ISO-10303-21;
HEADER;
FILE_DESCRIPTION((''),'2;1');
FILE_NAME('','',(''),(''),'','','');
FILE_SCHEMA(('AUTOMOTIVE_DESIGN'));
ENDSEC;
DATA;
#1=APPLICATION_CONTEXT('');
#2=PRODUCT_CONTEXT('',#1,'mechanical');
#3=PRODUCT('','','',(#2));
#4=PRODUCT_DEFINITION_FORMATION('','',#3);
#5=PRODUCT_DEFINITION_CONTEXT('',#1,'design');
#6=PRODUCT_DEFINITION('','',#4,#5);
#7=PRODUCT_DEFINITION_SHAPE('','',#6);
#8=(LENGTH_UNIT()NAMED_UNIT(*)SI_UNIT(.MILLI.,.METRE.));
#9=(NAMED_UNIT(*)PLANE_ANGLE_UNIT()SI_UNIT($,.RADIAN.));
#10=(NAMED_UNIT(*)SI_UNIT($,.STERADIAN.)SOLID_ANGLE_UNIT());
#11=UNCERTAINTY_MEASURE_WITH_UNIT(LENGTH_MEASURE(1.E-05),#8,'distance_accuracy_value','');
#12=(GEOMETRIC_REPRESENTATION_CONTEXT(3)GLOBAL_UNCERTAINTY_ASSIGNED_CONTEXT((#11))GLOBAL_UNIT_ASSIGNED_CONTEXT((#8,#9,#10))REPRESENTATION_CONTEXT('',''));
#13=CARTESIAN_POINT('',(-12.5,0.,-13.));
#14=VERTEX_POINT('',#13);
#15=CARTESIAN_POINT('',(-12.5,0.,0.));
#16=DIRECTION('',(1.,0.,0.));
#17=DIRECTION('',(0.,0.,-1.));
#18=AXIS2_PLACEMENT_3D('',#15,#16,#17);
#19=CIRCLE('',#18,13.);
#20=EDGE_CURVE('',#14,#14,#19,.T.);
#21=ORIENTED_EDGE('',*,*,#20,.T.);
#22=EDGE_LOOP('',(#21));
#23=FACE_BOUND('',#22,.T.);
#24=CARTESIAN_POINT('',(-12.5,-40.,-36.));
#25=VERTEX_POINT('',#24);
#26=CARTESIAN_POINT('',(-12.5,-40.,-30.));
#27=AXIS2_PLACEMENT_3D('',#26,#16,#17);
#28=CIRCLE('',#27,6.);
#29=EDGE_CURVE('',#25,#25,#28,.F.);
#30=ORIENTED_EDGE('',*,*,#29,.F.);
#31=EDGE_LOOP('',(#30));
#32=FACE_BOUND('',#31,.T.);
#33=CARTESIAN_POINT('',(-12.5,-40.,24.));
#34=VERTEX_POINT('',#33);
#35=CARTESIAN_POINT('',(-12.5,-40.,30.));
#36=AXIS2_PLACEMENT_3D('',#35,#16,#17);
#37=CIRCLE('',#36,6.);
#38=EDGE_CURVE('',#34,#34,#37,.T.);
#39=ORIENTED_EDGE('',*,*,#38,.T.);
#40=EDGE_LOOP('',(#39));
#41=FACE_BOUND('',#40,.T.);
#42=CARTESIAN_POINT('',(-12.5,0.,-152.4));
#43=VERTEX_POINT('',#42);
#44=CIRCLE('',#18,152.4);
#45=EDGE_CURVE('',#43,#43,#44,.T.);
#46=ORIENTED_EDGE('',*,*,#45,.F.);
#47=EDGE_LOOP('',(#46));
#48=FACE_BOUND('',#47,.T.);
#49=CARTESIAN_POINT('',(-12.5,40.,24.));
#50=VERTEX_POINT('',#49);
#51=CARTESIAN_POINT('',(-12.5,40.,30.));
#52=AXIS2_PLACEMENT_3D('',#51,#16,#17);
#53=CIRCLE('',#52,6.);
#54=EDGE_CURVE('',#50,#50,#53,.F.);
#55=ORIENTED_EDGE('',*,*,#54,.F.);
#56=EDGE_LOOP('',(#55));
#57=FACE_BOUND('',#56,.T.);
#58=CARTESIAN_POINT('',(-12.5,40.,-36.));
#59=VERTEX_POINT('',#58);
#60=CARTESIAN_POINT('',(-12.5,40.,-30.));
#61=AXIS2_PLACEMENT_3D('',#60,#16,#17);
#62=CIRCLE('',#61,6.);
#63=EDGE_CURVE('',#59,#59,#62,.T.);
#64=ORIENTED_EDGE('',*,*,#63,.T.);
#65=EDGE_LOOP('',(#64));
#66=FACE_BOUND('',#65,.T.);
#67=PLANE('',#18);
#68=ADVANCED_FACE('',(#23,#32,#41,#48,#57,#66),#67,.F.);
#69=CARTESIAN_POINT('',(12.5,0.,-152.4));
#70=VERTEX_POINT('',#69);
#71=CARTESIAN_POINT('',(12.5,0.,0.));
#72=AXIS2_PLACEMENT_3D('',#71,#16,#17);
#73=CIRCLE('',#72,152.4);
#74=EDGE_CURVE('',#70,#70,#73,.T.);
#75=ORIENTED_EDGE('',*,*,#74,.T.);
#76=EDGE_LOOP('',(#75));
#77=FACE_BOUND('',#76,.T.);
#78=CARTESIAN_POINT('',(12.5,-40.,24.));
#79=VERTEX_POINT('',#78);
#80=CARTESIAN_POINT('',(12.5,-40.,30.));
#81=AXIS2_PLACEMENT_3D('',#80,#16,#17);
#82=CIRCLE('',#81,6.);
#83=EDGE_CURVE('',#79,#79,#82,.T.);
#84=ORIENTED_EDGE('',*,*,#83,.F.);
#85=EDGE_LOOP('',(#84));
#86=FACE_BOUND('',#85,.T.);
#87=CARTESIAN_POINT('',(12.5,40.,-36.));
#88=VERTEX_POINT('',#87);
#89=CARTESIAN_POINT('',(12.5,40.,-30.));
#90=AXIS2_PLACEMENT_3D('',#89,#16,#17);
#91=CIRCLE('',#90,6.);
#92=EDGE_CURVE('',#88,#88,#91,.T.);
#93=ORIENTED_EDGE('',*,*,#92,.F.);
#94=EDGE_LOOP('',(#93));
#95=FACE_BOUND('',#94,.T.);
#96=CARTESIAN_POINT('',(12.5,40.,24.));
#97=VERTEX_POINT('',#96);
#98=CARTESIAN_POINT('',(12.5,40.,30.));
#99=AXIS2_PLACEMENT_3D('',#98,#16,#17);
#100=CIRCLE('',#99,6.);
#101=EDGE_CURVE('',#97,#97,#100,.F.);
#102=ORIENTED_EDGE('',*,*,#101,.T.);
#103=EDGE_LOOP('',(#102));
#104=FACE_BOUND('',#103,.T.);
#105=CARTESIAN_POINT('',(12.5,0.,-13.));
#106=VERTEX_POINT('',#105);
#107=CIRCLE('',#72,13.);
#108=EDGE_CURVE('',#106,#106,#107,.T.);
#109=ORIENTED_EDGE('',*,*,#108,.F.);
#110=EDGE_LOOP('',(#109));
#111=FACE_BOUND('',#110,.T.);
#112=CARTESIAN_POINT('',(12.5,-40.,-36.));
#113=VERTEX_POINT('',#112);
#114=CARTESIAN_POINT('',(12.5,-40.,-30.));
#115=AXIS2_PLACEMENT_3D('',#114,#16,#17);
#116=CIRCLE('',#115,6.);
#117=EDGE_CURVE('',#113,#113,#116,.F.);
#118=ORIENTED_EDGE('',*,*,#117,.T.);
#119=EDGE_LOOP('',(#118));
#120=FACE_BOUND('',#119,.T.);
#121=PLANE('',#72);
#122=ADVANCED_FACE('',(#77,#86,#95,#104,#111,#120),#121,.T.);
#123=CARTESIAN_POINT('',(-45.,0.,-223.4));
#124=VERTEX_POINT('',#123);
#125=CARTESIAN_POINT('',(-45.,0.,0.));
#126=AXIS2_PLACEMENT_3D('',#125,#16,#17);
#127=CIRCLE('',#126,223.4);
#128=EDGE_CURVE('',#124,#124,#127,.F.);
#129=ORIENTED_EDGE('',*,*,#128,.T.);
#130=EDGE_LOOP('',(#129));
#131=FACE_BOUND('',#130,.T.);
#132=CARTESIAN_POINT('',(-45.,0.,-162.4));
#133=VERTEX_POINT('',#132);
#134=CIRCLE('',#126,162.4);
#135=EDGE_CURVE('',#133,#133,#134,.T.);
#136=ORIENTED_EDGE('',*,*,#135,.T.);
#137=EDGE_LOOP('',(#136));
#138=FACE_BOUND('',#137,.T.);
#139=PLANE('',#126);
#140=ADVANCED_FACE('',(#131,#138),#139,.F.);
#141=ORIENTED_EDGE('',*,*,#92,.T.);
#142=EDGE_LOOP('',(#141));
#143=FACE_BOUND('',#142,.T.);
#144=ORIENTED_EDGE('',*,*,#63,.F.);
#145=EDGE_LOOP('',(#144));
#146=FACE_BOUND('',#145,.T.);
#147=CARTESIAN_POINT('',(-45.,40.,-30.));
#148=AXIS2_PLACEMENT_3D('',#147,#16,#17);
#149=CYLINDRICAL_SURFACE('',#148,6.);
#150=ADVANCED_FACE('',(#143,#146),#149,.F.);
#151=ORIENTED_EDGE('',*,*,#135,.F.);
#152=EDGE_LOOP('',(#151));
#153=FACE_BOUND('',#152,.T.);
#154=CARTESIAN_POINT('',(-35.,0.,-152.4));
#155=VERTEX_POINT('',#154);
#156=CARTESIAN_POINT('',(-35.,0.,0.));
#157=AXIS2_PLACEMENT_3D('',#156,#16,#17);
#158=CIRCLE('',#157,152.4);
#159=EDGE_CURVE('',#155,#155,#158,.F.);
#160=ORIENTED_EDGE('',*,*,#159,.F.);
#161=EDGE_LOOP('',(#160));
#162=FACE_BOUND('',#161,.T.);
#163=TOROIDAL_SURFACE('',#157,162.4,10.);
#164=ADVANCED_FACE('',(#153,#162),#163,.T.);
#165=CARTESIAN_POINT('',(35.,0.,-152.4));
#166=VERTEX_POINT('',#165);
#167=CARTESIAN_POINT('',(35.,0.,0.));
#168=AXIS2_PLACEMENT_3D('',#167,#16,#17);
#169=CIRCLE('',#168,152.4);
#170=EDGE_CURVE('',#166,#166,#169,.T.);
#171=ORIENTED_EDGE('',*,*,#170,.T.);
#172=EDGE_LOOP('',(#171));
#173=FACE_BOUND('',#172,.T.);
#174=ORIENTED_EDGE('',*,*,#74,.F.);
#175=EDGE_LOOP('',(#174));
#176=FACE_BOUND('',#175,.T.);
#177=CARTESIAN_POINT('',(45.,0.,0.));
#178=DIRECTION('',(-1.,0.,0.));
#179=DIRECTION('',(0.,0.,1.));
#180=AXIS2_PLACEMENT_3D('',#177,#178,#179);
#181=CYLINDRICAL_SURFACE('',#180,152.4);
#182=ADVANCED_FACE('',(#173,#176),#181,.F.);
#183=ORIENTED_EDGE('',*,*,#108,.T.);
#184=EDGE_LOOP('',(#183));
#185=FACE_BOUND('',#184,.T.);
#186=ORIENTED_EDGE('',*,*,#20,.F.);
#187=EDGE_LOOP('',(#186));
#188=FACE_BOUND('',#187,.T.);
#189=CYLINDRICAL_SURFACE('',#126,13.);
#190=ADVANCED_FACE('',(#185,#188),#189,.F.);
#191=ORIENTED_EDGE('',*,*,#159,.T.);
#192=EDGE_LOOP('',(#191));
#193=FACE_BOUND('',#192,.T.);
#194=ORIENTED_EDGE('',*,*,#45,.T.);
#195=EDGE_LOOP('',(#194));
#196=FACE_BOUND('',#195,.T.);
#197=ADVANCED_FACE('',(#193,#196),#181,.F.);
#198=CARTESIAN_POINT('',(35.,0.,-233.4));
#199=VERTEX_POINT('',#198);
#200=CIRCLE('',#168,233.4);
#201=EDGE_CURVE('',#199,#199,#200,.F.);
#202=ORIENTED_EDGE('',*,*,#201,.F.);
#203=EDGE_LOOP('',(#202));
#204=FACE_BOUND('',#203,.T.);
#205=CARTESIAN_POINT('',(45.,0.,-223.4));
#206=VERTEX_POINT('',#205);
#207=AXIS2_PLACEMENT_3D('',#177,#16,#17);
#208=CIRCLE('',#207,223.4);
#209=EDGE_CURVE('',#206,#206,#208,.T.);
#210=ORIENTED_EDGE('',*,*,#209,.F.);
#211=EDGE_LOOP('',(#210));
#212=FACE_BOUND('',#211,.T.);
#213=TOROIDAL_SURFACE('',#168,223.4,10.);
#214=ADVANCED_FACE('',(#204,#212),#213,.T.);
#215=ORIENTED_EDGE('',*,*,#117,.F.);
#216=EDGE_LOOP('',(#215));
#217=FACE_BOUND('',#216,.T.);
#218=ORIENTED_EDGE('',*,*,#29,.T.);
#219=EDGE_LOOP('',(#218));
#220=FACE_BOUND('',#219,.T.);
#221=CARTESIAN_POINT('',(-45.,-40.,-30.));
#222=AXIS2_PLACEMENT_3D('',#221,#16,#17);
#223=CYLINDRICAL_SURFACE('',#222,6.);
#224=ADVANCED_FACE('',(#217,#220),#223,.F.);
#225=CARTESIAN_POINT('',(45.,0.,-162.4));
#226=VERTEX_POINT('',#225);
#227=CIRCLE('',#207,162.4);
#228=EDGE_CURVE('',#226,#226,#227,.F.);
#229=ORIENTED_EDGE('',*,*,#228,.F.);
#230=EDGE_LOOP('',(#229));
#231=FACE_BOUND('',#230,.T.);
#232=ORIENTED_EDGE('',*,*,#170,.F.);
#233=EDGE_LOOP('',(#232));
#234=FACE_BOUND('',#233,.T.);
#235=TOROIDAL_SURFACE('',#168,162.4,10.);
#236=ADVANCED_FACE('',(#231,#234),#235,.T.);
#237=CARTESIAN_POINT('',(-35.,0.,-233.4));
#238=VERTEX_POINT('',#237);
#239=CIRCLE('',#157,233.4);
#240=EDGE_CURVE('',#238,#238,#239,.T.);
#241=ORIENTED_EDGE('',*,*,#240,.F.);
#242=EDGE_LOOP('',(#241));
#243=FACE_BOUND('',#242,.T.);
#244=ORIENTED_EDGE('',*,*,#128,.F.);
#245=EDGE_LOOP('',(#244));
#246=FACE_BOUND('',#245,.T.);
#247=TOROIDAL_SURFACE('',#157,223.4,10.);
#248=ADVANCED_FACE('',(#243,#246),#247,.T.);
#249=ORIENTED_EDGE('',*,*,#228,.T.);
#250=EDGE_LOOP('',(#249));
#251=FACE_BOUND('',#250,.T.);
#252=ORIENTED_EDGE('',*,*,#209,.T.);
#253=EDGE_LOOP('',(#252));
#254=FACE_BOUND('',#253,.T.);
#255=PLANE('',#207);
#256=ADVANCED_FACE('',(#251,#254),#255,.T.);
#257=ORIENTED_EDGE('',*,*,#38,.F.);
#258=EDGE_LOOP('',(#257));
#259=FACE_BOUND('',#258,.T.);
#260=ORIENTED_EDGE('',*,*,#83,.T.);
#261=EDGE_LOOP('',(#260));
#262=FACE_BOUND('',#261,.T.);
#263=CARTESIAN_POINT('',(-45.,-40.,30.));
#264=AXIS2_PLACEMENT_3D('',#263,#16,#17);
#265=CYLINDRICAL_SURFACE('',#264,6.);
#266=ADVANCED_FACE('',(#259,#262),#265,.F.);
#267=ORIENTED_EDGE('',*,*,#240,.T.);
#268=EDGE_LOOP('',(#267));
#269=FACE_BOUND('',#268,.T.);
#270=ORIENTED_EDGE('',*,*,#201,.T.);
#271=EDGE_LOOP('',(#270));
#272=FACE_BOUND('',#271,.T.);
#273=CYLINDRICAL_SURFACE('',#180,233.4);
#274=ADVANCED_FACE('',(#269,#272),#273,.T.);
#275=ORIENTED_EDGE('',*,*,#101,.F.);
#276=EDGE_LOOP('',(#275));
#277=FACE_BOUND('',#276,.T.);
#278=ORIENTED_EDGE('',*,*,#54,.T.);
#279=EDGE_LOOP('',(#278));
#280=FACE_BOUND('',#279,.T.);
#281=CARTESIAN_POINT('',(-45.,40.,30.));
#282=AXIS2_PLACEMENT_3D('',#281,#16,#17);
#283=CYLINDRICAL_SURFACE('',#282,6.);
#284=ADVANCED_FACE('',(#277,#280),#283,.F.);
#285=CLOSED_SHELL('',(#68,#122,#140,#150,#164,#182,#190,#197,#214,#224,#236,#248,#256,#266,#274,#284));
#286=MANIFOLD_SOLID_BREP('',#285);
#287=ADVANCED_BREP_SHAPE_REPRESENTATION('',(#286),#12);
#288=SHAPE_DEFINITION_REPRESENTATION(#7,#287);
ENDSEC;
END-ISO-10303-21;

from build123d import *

# Parameters (mm, degrees)
SKETCH1_R               = 233.4
SKETCH1_R_2             = 152.4
BOSS_EXTRUDE1_DEPTH     = 45
SKETCH2_R               = 152.4
BOSS_EXTRUDE2_DEPTH     = 12.5
FILLET2_R               = 10
FILLET3_R               = 10
FILLET4_R               = 10
SKETCH3_R               = 13
SKETCH3_R_2             = 6
CUT_EXTRUDE2_DEPTH      = 46
CUT_EXTRUDE2_DEPTH_BACK = 46


with BuildPart() as part:
    # Sketch1 → Boss-Extrude1 (new body, symmetric)
    with BuildSketch(Plane(origin=(0, 0, 0), x_dir=(0, 0, -1), z_dir=(1, 0, 0))):
        Circle(SKETCH1_R)
        Circle(SKETCH1_R_2, mode=Mode.SUBTRACT)
    extrude(amount=BOSS_EXTRUDE1_DEPTH, both=True)

    # Sketch2 → Boss-Extrude2 (add, symmetric)
    with BuildSketch(Plane(origin=(0, 0, 0), x_dir=(0, 0, -1), z_dir=(1, 0, 0))):
        Circle(SKETCH2_R)
    extrude(amount=BOSS_EXTRUDE2_DEPTH, both=True)

    # Fillet2
    fillet2_edges = [part.edges().sort_by_distance(p)[0] for p in [
        (45, 0, 233.4),
    ]]
    fillet(fillet2_edges, radius=FILLET2_R)

    # Fillet3
    fillet3_edges = [part.edges().sort_by_distance(p)[0] for p in [
        (-45, 0, 233.4),
        (45, 0, 152.4),
    ]]
    fillet(fillet3_edges, radius=FILLET3_R)

    # Fillet4
    fillet4_edges = [part.edges().sort_by_distance(p)[0] for p in [
        (-45, 0, 152.4),
    ]]
    fillet(fillet4_edges, radius=FILLET4_R)

    # Sketch3 → Cut-Extrude2 (cut, two sides)
    with BuildSketch(Plane(origin=(0, 0, 0), x_dir=(0, 0, -1), z_dir=(1, 0, 0))) as cut_extrude2_sk:
        Circle(SKETCH3_R)
        with Locations((30, 40)):
            Circle(SKETCH3_R_2)
        with Locations((-30, 40)):
            Circle(SKETCH3_R_2)
        with Locations((-30, -40)):
            Circle(SKETCH3_R_2)
        with Locations((30, -40)):
            Circle(SKETCH3_R_2)
    extrude(amount=CUT_EXTRUDE2_DEPTH, mode=Mode.SUBTRACT)
    extrude(cut_extrude2_sk.sketch, amount=-CUT_EXTRUDE2_DEPTH_BACK, mode=Mode.SUBTRACT)


solid = part.part
